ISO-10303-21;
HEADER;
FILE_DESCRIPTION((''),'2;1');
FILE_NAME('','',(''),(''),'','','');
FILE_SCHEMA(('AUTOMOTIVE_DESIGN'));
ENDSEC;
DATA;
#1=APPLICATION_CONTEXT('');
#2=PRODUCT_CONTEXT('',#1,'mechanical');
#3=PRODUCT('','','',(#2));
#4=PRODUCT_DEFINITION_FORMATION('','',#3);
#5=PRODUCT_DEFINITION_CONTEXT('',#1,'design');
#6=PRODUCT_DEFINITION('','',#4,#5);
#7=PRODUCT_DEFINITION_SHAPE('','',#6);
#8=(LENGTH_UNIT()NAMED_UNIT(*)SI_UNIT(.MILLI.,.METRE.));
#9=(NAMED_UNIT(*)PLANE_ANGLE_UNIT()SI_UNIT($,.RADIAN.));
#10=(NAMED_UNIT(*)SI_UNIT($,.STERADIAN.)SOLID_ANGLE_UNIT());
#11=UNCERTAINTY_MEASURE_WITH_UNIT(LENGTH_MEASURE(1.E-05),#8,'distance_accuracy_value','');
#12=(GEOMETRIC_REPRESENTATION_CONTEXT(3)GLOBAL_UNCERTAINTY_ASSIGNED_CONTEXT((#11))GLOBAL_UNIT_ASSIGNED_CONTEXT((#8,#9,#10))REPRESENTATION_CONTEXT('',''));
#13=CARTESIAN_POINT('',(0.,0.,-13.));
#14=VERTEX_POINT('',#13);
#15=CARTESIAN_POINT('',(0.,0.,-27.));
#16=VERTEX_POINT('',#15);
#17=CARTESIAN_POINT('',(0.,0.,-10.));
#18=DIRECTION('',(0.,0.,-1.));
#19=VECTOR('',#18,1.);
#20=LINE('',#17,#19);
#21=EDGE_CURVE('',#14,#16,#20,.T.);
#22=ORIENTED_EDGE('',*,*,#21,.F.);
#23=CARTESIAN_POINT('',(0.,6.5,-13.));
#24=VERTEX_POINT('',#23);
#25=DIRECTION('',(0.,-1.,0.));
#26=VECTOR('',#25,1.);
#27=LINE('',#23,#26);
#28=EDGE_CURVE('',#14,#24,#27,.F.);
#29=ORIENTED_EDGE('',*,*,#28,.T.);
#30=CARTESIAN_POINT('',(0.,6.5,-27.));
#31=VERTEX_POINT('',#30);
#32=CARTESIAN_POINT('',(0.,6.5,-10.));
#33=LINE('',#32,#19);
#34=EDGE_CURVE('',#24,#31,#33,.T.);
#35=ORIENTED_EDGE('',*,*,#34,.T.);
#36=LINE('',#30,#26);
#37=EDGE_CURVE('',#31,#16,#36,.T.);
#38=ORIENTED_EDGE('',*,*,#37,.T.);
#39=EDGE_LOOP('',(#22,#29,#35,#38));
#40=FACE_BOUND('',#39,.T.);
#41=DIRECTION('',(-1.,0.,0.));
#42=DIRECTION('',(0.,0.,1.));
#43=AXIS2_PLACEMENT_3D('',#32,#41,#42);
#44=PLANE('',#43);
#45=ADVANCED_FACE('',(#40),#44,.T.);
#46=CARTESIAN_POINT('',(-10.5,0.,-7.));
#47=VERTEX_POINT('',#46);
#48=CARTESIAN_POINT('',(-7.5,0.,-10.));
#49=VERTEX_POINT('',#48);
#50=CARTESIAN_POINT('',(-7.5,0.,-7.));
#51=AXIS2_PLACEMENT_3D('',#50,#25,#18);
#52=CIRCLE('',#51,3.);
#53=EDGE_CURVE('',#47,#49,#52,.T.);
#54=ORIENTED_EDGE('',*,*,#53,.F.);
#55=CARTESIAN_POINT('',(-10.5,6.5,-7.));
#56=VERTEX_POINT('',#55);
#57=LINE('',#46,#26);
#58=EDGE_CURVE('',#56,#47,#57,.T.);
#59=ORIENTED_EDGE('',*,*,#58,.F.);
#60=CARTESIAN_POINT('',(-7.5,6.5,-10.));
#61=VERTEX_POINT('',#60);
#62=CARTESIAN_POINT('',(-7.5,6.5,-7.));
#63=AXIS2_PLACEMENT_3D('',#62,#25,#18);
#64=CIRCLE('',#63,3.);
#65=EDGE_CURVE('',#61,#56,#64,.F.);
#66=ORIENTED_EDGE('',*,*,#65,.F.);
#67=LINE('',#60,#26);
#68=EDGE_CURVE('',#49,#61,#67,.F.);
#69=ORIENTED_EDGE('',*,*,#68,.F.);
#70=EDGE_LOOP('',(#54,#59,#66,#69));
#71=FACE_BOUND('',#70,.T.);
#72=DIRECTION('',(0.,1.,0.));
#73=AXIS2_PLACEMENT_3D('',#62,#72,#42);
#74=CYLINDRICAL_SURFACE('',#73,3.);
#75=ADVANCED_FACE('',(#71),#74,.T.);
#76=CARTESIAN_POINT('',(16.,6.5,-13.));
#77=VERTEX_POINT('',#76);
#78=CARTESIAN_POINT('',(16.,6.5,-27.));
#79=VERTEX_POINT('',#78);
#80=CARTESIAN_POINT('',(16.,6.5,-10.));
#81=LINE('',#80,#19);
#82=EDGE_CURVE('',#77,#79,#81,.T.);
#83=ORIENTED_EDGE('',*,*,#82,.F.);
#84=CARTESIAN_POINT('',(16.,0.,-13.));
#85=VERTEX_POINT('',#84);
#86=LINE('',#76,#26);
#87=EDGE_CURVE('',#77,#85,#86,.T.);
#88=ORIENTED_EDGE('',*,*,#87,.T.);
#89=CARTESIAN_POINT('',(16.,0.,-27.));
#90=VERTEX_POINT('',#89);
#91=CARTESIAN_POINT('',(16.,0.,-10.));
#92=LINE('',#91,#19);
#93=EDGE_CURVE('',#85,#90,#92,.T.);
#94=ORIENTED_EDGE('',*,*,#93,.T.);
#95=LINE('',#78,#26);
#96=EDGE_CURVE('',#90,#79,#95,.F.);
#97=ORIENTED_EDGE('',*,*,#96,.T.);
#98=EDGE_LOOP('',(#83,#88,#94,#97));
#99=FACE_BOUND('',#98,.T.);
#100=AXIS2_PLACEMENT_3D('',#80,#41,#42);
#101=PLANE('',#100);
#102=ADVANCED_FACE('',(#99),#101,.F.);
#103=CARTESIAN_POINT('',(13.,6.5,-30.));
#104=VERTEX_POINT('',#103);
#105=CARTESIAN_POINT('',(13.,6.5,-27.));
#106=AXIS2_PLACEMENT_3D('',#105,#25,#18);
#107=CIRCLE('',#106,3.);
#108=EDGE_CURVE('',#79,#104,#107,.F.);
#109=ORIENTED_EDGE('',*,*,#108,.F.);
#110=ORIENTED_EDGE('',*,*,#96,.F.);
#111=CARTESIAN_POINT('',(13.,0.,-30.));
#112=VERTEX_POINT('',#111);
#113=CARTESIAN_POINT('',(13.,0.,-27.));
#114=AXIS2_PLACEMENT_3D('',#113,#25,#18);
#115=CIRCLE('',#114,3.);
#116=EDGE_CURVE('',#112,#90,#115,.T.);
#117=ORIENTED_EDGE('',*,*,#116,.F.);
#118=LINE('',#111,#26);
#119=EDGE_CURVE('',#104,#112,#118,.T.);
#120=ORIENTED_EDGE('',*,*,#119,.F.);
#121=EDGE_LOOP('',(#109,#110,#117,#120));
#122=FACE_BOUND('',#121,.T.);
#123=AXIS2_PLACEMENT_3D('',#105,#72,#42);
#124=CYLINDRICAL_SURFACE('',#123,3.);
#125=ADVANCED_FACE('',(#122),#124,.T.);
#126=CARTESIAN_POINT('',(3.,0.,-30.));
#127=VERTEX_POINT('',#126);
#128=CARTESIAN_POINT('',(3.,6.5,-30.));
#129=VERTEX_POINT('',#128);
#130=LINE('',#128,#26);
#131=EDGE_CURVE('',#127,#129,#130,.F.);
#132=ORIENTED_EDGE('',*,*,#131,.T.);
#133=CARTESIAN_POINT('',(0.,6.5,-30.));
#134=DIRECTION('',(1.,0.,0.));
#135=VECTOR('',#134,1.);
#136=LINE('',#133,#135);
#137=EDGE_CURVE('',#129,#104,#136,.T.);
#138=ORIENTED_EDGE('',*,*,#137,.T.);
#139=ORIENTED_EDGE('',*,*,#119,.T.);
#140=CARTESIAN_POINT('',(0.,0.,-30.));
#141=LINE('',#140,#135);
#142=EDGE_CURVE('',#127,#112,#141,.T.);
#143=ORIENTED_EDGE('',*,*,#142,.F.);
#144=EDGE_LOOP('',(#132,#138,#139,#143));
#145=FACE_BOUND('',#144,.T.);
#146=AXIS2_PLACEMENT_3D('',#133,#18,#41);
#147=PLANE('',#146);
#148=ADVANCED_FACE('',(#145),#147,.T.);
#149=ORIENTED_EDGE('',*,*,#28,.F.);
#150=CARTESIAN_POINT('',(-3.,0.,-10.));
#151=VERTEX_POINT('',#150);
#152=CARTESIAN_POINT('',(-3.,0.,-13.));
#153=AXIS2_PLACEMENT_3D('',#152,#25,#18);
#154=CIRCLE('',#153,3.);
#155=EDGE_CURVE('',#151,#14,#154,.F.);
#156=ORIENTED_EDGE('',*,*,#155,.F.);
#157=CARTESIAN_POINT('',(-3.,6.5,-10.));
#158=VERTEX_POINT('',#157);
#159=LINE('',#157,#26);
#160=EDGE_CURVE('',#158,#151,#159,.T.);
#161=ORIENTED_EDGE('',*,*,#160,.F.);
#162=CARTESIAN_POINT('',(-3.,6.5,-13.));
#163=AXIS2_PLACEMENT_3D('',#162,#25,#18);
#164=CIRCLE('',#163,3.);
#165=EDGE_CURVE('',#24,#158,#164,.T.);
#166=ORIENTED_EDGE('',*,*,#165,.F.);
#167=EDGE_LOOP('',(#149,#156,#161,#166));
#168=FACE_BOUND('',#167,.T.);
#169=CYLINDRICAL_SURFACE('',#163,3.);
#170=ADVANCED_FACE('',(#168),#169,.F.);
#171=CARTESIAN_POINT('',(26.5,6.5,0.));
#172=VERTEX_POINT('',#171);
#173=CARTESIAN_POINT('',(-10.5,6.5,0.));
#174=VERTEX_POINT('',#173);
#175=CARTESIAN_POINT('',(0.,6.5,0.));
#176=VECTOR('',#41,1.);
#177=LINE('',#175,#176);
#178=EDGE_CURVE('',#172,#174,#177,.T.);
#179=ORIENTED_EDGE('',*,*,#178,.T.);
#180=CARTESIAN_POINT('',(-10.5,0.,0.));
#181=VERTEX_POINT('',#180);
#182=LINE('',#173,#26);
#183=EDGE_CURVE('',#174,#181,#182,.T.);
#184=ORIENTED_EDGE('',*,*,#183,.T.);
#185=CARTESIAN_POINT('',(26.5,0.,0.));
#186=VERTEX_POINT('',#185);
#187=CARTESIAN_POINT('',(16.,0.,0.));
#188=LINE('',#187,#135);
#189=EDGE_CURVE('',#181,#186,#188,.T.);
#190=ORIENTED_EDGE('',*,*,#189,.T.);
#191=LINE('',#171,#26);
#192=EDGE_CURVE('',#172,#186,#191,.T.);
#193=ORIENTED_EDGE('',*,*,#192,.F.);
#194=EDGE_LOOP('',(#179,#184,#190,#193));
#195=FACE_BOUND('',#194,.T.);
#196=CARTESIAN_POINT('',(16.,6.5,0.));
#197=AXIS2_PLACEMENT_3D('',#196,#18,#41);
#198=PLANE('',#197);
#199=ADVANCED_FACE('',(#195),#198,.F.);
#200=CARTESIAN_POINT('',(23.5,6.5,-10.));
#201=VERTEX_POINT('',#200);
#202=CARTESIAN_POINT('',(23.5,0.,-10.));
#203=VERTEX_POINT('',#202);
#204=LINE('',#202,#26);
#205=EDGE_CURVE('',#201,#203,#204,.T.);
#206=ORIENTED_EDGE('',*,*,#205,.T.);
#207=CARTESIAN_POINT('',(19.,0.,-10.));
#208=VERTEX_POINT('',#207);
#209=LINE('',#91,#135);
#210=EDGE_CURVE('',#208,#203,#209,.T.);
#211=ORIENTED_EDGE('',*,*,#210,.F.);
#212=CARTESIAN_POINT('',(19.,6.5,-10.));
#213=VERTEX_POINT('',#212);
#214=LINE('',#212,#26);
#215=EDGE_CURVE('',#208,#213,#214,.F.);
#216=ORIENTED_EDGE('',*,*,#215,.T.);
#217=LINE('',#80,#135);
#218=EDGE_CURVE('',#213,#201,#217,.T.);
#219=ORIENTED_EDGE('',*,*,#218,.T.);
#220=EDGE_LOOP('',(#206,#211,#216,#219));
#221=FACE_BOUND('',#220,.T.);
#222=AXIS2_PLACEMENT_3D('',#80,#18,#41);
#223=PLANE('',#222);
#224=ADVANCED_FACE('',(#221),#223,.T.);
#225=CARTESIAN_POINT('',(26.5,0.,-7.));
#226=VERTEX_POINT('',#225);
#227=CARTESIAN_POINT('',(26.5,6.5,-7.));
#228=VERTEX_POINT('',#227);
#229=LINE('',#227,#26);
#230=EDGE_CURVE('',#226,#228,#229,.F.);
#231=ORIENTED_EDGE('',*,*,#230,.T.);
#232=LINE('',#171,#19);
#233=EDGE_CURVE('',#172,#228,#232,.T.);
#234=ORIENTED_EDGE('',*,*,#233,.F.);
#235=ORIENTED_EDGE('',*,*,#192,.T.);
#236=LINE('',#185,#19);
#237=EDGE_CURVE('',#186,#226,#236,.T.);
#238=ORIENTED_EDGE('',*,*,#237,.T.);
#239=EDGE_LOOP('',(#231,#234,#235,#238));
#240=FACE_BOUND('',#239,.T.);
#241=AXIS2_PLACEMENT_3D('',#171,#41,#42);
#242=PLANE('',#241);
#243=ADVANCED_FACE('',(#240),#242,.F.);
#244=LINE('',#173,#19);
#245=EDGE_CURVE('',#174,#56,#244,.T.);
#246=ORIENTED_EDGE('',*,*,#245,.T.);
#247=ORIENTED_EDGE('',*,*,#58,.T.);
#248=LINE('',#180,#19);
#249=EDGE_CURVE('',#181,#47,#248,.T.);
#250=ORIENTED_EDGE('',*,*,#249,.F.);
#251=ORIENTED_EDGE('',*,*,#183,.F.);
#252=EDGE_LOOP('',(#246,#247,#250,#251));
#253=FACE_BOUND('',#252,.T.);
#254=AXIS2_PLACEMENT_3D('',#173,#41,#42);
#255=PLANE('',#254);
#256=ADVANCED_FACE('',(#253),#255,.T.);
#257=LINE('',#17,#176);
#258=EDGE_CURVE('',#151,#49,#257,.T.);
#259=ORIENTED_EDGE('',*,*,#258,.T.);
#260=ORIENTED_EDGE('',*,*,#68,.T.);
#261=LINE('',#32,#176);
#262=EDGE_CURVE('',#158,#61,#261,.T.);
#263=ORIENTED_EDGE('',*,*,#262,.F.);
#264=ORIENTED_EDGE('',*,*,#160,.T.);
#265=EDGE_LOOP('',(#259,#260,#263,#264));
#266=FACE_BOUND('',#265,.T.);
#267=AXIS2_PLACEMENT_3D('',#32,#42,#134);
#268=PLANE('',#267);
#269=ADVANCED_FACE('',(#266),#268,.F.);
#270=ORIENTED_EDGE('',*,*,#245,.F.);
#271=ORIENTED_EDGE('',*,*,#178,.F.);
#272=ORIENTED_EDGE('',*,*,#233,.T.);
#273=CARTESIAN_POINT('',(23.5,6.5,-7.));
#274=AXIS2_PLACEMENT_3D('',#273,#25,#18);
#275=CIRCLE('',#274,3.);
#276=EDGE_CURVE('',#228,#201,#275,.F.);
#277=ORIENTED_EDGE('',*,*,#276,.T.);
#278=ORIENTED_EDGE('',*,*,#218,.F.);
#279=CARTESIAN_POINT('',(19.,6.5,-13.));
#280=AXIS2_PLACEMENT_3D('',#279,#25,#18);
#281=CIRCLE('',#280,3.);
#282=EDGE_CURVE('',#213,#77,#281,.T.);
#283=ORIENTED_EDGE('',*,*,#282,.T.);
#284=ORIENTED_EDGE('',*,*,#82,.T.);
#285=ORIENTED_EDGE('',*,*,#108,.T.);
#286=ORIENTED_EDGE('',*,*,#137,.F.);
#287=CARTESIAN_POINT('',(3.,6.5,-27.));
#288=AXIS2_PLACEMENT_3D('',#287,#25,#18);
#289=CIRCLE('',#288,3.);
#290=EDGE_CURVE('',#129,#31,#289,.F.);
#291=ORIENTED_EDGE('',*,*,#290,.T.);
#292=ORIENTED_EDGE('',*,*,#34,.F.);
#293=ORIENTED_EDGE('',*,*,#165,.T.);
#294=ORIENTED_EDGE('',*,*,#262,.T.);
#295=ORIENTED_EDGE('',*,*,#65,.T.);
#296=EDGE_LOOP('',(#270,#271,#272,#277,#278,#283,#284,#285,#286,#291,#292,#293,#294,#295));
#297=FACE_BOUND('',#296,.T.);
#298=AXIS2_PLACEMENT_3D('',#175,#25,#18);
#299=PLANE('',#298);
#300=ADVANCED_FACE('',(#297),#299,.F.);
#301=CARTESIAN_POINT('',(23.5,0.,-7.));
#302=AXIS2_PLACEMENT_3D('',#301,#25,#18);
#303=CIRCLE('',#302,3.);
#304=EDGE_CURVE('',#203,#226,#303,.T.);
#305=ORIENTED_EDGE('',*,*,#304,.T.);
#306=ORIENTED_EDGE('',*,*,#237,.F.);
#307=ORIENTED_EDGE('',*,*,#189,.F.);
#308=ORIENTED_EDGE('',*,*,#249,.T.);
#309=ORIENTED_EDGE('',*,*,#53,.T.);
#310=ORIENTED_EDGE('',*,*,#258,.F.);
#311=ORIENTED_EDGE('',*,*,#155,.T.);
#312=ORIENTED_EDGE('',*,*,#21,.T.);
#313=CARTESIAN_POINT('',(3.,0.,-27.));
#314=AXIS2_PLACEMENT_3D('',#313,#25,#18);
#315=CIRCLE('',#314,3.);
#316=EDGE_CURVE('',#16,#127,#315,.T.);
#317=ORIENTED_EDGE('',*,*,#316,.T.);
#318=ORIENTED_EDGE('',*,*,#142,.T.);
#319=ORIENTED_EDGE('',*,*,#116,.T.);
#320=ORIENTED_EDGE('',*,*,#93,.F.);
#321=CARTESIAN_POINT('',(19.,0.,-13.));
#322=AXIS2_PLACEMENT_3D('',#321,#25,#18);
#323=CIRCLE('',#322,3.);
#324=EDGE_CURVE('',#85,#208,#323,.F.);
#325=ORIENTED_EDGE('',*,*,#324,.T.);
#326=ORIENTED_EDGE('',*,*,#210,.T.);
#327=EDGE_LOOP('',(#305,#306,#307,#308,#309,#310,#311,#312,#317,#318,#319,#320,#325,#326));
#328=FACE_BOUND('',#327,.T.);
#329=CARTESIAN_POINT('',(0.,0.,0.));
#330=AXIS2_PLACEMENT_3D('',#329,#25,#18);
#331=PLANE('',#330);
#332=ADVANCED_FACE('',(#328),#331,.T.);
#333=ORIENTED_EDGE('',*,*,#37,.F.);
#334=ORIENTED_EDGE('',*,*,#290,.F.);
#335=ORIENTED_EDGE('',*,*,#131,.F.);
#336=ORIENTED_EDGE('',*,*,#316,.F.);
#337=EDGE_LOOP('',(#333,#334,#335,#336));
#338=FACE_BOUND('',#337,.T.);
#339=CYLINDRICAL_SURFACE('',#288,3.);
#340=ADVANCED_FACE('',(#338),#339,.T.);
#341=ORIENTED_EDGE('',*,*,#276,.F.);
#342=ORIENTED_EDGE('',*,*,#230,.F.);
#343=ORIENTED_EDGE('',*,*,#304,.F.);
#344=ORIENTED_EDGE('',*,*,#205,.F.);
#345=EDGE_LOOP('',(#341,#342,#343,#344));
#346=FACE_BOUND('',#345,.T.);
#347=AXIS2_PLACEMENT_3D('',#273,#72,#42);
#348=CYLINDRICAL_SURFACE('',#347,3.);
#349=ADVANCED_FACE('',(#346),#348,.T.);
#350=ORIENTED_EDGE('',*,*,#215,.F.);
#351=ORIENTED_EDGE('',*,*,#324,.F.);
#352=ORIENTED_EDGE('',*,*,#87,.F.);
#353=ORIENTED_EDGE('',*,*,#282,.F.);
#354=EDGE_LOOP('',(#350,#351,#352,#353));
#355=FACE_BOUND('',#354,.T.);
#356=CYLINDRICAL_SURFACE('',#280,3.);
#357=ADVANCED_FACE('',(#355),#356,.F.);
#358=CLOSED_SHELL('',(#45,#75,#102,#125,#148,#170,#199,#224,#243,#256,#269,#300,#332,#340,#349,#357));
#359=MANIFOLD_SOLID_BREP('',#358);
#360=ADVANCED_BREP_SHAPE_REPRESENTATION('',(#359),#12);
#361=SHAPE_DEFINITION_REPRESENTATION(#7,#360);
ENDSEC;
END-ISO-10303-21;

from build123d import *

# Parameters (mm, degrees)
BOSS_EXTRUDE1_DEPTH = 6.5
FILLET1_R           = 3


with BuildPart() as part:
    # Sketch1 → Boss-Extrude1 (new body)
    with BuildSketch(Plane(origin=(0, 0, 0), x_dir=(1, 0, 0), z_dir=(0, 1, 0))):
        Polygon((0, 0), (16, 0), (26.5, 0), (26.5, 10), (16, 10), (16, 30), (0, 30), (0, 10), (-10.5, 10), (-10.5, 0), align=None)
    extrude(amount=BOSS_EXTRUDE1_DEPTH)

    # Fillet1
    fillet1_edges = [part.edges().sort_by_distance(p)[0] for p in [
        (0, 3.25, -10),
        (0, 3.25, -30),
        (16, 3.25, -30),
        (16, 3.25, -10),
        (26.5, 3.25, -10),
        (-10.5, 3.25, -10),
    ]]
    fillet(fillet1_edges, radius=FILLET1_R)


solid = part.part
